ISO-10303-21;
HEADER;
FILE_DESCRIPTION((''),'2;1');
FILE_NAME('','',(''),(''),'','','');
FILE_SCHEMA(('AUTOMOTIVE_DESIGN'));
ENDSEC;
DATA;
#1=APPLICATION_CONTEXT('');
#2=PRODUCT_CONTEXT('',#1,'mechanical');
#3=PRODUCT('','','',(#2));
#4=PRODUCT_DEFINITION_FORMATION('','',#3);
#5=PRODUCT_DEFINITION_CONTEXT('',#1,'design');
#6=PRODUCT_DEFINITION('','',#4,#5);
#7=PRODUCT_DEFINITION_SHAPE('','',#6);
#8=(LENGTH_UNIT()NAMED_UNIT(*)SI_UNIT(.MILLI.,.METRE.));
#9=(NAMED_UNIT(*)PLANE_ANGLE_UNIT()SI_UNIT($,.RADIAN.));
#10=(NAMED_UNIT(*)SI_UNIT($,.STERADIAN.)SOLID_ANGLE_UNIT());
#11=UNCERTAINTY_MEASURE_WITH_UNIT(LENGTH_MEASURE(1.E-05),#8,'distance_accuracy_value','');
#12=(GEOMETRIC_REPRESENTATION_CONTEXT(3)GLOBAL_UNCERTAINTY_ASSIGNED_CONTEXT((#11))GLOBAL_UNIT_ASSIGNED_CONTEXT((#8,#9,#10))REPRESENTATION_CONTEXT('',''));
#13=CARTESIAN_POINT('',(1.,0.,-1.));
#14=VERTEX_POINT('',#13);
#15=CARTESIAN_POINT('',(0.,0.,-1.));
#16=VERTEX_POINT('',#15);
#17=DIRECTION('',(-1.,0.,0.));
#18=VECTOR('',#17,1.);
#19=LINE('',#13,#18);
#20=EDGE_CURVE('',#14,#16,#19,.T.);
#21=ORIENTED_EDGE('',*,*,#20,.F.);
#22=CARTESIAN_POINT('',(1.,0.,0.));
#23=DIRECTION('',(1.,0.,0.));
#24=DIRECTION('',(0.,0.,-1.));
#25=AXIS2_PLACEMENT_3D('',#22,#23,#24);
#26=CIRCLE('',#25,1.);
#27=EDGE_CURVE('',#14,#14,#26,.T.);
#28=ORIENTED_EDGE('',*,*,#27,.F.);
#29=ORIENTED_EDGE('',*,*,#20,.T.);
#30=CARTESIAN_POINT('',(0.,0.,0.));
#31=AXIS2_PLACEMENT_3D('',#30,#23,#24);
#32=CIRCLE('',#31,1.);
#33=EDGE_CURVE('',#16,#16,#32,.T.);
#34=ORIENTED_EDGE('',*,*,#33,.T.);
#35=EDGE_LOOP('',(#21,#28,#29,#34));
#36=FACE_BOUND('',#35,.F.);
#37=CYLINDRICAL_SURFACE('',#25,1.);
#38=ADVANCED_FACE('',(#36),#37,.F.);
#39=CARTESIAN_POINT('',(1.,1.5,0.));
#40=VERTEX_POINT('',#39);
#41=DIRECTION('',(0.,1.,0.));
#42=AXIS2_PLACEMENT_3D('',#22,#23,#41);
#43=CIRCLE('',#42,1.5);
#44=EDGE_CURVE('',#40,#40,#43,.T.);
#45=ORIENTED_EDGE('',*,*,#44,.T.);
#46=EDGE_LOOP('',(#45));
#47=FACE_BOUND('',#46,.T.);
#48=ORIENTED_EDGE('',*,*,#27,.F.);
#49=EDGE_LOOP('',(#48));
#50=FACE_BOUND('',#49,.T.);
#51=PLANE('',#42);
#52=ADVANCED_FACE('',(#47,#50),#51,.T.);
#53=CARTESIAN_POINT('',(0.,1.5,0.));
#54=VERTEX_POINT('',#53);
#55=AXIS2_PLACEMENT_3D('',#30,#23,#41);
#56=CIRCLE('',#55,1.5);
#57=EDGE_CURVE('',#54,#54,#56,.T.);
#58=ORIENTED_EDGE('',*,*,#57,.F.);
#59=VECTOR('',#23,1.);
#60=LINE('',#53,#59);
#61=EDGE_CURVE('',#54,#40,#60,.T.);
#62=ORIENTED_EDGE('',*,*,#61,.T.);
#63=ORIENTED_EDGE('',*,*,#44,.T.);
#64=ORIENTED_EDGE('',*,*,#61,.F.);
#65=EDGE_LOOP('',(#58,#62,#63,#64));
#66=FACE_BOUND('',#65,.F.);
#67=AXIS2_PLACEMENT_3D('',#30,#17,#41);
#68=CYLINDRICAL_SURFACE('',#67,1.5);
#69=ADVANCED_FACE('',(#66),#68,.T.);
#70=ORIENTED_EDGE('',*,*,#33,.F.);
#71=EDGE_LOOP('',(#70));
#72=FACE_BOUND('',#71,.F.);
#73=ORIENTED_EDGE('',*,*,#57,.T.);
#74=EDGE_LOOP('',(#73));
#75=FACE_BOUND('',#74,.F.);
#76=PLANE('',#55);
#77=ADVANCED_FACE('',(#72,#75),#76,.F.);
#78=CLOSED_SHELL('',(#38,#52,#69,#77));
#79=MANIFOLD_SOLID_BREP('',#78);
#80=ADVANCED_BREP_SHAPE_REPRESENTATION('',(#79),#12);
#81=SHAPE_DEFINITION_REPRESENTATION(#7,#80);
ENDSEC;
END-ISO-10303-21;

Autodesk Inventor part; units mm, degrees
ref_plane "YZ Plane" through (0, 0, 0) normal (1, 0, 0) x (0, 1, 0)
ref_plane "XZ Plane" through (0, 0, 0) normal (0, 1, 0) x (-1, 0, 0)
ref_plane "XY Plane" through (0, 0, 0) normal (0, 0, 1) x (1, 0, 0)
sketch "Sketch1" plane through (0, 0, 0) normal (1, 0, 0) x (0, 1, 0)
  circle A0 centre (0, 0) radius 1.5
  dimension "d0" = 3
extrude "Extrusion1" add sketch "Sketch1" along normal blind 1
sketch "Sketch2" plane through (1, 0, 0) normal (1, 0, 0) x (0, 0, -1)
  circle A0 centre (0, 0) radius 1
  dimension "d3" = 2
extrude "Extrusion2" cut sketch "Sketch2" against normal blind 1
properties part number "boltiii"
